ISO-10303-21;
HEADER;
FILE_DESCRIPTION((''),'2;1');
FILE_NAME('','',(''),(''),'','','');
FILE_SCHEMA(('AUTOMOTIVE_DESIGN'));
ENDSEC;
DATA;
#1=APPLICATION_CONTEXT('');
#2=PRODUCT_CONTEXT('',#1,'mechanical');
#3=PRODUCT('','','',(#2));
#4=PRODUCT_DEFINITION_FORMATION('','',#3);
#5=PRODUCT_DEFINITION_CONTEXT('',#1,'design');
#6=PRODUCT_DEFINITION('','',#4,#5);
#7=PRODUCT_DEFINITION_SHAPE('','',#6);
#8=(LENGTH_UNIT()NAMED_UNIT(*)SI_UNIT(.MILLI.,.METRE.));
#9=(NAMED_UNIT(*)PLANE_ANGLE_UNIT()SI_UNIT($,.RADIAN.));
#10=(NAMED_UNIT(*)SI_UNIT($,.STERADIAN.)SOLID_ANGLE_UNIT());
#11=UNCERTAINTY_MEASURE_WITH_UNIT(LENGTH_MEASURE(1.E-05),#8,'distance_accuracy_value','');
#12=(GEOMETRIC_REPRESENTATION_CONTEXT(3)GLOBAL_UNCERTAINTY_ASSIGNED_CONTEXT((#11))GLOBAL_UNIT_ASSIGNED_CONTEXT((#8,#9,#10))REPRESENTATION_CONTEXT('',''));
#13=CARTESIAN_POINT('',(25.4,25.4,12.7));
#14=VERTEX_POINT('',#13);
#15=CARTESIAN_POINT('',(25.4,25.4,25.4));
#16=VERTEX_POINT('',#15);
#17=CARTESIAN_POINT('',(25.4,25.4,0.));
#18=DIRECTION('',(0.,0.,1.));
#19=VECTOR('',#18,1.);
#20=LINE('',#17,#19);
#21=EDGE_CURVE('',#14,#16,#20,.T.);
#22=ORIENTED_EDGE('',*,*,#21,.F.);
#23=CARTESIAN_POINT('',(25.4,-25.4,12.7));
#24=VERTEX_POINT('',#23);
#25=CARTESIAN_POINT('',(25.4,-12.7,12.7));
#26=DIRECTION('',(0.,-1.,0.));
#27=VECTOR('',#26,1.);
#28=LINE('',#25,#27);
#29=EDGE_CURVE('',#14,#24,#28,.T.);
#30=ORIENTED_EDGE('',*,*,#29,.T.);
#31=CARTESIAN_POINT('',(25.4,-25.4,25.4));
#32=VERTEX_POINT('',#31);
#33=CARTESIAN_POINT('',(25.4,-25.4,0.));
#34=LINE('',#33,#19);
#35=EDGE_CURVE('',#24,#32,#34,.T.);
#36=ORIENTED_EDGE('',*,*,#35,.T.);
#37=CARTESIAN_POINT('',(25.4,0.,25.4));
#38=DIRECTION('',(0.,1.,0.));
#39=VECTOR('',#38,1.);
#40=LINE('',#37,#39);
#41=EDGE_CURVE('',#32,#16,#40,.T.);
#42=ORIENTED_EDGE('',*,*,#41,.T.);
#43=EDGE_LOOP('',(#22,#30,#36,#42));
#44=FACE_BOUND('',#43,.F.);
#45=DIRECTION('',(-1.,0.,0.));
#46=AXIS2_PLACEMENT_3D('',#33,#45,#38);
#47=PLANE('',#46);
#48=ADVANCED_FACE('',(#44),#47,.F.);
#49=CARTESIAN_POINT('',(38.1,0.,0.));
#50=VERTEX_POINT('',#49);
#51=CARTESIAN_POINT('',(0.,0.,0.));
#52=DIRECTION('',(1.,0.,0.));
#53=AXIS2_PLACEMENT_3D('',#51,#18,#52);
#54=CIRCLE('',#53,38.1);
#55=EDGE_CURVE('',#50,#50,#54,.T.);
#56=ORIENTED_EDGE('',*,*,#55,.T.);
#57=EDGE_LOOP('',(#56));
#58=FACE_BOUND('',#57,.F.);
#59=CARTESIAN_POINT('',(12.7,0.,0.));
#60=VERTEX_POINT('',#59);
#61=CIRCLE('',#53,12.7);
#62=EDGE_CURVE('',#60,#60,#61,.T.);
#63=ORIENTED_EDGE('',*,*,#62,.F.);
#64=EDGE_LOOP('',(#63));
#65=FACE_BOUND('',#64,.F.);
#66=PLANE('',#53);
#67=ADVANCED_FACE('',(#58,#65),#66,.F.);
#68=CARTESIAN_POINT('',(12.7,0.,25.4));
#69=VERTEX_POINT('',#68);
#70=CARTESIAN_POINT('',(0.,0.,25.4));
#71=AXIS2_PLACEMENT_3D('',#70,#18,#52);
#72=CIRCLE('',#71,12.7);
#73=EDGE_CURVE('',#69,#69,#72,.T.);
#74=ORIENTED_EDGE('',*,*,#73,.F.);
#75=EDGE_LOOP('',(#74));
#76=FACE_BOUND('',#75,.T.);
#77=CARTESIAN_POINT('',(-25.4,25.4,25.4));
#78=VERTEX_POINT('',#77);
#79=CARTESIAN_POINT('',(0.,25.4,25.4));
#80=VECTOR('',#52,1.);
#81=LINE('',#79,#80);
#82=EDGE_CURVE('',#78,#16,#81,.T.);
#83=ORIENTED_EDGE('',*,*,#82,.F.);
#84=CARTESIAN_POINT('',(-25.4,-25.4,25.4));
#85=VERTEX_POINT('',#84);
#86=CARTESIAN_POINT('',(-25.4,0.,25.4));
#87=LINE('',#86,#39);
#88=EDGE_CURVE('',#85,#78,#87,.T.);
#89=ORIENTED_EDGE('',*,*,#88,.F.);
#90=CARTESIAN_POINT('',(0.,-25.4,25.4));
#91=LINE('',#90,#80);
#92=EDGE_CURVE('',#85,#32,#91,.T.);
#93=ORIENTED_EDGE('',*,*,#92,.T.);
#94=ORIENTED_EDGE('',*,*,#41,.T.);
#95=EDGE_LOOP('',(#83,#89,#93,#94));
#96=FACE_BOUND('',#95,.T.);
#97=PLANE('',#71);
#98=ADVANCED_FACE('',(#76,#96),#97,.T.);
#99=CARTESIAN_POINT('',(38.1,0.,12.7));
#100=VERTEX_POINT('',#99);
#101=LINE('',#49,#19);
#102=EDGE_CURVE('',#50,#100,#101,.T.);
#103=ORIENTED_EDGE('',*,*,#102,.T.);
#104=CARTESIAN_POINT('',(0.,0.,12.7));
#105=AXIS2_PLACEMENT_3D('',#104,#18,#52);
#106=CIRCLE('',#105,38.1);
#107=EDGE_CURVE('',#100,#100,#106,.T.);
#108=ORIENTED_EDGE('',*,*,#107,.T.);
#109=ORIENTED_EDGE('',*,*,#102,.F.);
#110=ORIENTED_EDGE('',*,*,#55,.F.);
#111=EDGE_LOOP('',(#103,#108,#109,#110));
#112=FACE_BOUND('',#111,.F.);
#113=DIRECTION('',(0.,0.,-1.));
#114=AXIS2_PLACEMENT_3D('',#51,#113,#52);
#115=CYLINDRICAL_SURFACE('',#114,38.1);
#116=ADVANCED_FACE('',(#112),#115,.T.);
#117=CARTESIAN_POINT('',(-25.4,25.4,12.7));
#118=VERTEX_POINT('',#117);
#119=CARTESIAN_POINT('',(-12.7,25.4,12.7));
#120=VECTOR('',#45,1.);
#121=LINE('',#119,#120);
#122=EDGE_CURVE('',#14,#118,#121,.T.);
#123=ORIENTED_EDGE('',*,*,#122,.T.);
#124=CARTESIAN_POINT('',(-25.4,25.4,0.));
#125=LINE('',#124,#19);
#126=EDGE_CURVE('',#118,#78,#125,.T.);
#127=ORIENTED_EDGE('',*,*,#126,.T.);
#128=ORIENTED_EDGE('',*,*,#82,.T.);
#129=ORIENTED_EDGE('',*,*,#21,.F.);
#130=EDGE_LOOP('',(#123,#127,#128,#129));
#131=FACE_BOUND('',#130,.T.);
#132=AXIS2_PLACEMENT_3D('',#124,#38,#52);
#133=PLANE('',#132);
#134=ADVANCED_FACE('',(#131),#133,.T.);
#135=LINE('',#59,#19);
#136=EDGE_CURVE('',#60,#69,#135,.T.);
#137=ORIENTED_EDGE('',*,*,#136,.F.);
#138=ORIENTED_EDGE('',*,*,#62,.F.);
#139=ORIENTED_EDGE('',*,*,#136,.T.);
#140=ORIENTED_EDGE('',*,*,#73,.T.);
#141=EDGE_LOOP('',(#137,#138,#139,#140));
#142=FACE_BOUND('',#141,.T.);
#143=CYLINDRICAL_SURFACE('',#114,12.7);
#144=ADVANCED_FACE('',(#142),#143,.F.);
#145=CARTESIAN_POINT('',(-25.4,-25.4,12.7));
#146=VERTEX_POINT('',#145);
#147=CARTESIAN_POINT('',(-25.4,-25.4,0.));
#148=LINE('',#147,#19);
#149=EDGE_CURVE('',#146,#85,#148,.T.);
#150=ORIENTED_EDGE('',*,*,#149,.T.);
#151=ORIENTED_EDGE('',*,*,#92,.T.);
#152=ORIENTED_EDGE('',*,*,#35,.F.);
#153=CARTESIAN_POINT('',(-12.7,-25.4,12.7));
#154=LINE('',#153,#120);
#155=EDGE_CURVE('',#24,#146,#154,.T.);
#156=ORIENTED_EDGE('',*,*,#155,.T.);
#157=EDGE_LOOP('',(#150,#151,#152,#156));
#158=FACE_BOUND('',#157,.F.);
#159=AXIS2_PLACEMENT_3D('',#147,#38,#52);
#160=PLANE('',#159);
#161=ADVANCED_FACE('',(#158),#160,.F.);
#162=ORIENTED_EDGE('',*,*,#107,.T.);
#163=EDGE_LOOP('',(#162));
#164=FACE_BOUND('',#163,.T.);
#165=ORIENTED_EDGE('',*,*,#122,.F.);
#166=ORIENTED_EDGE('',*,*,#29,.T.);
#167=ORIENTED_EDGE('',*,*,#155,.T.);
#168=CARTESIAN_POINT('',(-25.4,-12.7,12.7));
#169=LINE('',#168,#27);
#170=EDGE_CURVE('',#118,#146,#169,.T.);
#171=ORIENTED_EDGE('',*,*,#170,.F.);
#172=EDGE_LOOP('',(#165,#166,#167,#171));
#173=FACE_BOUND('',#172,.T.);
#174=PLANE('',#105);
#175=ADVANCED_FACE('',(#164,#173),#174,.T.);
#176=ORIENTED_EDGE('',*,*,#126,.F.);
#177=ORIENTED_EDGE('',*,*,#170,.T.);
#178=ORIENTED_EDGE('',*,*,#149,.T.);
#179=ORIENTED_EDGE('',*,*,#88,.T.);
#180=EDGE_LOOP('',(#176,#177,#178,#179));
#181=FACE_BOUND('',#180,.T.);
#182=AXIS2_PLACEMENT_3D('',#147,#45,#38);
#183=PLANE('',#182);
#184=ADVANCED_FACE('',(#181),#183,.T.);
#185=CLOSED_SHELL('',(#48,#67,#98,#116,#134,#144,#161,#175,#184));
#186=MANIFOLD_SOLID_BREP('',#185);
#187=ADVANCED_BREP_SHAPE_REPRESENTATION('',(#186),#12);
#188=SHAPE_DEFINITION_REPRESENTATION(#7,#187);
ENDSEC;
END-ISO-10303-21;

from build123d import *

# Parameters (mm, degrees)
F0_R     = 38.1
F0_W     = 50.8
F0_H     = 50.8
F0_R_2   = 12.7
F1_DEPTH = 12.7
F2_W     = 50.8
F2_H     = 50.8
F3_DEPTH = 25.4
F4_R     = 12.7
F5_DEPTH = 25.4


with BuildPart() as f1:
    # F0 (on Top) → F1 (new body)
    with BuildSketch(Plane.XY):
        Circle(F0_R)
        Rectangle(F0_W, F0_H, mode=Mode.SUBTRACT)
        Rectangle(F0_W, F0_H)
        Circle(F0_R_2, mode=Mode.SUBTRACT)
        Circle(F0_R_2)
    extrude(amount=F1_DEPTH)

    # F2 (on Top) → F3 (join)
    with BuildSketch(Plane.XY):
        Rectangle(F2_W, F2_H)
    extrude(amount=F3_DEPTH)

    # F4 (on Top) → F5 (cut)
    with BuildSketch(Plane.XY):
        Circle(F4_R)
    extrude(amount=F5_DEPTH, mode=Mode.SUBTRACT)


solid = f1.part
